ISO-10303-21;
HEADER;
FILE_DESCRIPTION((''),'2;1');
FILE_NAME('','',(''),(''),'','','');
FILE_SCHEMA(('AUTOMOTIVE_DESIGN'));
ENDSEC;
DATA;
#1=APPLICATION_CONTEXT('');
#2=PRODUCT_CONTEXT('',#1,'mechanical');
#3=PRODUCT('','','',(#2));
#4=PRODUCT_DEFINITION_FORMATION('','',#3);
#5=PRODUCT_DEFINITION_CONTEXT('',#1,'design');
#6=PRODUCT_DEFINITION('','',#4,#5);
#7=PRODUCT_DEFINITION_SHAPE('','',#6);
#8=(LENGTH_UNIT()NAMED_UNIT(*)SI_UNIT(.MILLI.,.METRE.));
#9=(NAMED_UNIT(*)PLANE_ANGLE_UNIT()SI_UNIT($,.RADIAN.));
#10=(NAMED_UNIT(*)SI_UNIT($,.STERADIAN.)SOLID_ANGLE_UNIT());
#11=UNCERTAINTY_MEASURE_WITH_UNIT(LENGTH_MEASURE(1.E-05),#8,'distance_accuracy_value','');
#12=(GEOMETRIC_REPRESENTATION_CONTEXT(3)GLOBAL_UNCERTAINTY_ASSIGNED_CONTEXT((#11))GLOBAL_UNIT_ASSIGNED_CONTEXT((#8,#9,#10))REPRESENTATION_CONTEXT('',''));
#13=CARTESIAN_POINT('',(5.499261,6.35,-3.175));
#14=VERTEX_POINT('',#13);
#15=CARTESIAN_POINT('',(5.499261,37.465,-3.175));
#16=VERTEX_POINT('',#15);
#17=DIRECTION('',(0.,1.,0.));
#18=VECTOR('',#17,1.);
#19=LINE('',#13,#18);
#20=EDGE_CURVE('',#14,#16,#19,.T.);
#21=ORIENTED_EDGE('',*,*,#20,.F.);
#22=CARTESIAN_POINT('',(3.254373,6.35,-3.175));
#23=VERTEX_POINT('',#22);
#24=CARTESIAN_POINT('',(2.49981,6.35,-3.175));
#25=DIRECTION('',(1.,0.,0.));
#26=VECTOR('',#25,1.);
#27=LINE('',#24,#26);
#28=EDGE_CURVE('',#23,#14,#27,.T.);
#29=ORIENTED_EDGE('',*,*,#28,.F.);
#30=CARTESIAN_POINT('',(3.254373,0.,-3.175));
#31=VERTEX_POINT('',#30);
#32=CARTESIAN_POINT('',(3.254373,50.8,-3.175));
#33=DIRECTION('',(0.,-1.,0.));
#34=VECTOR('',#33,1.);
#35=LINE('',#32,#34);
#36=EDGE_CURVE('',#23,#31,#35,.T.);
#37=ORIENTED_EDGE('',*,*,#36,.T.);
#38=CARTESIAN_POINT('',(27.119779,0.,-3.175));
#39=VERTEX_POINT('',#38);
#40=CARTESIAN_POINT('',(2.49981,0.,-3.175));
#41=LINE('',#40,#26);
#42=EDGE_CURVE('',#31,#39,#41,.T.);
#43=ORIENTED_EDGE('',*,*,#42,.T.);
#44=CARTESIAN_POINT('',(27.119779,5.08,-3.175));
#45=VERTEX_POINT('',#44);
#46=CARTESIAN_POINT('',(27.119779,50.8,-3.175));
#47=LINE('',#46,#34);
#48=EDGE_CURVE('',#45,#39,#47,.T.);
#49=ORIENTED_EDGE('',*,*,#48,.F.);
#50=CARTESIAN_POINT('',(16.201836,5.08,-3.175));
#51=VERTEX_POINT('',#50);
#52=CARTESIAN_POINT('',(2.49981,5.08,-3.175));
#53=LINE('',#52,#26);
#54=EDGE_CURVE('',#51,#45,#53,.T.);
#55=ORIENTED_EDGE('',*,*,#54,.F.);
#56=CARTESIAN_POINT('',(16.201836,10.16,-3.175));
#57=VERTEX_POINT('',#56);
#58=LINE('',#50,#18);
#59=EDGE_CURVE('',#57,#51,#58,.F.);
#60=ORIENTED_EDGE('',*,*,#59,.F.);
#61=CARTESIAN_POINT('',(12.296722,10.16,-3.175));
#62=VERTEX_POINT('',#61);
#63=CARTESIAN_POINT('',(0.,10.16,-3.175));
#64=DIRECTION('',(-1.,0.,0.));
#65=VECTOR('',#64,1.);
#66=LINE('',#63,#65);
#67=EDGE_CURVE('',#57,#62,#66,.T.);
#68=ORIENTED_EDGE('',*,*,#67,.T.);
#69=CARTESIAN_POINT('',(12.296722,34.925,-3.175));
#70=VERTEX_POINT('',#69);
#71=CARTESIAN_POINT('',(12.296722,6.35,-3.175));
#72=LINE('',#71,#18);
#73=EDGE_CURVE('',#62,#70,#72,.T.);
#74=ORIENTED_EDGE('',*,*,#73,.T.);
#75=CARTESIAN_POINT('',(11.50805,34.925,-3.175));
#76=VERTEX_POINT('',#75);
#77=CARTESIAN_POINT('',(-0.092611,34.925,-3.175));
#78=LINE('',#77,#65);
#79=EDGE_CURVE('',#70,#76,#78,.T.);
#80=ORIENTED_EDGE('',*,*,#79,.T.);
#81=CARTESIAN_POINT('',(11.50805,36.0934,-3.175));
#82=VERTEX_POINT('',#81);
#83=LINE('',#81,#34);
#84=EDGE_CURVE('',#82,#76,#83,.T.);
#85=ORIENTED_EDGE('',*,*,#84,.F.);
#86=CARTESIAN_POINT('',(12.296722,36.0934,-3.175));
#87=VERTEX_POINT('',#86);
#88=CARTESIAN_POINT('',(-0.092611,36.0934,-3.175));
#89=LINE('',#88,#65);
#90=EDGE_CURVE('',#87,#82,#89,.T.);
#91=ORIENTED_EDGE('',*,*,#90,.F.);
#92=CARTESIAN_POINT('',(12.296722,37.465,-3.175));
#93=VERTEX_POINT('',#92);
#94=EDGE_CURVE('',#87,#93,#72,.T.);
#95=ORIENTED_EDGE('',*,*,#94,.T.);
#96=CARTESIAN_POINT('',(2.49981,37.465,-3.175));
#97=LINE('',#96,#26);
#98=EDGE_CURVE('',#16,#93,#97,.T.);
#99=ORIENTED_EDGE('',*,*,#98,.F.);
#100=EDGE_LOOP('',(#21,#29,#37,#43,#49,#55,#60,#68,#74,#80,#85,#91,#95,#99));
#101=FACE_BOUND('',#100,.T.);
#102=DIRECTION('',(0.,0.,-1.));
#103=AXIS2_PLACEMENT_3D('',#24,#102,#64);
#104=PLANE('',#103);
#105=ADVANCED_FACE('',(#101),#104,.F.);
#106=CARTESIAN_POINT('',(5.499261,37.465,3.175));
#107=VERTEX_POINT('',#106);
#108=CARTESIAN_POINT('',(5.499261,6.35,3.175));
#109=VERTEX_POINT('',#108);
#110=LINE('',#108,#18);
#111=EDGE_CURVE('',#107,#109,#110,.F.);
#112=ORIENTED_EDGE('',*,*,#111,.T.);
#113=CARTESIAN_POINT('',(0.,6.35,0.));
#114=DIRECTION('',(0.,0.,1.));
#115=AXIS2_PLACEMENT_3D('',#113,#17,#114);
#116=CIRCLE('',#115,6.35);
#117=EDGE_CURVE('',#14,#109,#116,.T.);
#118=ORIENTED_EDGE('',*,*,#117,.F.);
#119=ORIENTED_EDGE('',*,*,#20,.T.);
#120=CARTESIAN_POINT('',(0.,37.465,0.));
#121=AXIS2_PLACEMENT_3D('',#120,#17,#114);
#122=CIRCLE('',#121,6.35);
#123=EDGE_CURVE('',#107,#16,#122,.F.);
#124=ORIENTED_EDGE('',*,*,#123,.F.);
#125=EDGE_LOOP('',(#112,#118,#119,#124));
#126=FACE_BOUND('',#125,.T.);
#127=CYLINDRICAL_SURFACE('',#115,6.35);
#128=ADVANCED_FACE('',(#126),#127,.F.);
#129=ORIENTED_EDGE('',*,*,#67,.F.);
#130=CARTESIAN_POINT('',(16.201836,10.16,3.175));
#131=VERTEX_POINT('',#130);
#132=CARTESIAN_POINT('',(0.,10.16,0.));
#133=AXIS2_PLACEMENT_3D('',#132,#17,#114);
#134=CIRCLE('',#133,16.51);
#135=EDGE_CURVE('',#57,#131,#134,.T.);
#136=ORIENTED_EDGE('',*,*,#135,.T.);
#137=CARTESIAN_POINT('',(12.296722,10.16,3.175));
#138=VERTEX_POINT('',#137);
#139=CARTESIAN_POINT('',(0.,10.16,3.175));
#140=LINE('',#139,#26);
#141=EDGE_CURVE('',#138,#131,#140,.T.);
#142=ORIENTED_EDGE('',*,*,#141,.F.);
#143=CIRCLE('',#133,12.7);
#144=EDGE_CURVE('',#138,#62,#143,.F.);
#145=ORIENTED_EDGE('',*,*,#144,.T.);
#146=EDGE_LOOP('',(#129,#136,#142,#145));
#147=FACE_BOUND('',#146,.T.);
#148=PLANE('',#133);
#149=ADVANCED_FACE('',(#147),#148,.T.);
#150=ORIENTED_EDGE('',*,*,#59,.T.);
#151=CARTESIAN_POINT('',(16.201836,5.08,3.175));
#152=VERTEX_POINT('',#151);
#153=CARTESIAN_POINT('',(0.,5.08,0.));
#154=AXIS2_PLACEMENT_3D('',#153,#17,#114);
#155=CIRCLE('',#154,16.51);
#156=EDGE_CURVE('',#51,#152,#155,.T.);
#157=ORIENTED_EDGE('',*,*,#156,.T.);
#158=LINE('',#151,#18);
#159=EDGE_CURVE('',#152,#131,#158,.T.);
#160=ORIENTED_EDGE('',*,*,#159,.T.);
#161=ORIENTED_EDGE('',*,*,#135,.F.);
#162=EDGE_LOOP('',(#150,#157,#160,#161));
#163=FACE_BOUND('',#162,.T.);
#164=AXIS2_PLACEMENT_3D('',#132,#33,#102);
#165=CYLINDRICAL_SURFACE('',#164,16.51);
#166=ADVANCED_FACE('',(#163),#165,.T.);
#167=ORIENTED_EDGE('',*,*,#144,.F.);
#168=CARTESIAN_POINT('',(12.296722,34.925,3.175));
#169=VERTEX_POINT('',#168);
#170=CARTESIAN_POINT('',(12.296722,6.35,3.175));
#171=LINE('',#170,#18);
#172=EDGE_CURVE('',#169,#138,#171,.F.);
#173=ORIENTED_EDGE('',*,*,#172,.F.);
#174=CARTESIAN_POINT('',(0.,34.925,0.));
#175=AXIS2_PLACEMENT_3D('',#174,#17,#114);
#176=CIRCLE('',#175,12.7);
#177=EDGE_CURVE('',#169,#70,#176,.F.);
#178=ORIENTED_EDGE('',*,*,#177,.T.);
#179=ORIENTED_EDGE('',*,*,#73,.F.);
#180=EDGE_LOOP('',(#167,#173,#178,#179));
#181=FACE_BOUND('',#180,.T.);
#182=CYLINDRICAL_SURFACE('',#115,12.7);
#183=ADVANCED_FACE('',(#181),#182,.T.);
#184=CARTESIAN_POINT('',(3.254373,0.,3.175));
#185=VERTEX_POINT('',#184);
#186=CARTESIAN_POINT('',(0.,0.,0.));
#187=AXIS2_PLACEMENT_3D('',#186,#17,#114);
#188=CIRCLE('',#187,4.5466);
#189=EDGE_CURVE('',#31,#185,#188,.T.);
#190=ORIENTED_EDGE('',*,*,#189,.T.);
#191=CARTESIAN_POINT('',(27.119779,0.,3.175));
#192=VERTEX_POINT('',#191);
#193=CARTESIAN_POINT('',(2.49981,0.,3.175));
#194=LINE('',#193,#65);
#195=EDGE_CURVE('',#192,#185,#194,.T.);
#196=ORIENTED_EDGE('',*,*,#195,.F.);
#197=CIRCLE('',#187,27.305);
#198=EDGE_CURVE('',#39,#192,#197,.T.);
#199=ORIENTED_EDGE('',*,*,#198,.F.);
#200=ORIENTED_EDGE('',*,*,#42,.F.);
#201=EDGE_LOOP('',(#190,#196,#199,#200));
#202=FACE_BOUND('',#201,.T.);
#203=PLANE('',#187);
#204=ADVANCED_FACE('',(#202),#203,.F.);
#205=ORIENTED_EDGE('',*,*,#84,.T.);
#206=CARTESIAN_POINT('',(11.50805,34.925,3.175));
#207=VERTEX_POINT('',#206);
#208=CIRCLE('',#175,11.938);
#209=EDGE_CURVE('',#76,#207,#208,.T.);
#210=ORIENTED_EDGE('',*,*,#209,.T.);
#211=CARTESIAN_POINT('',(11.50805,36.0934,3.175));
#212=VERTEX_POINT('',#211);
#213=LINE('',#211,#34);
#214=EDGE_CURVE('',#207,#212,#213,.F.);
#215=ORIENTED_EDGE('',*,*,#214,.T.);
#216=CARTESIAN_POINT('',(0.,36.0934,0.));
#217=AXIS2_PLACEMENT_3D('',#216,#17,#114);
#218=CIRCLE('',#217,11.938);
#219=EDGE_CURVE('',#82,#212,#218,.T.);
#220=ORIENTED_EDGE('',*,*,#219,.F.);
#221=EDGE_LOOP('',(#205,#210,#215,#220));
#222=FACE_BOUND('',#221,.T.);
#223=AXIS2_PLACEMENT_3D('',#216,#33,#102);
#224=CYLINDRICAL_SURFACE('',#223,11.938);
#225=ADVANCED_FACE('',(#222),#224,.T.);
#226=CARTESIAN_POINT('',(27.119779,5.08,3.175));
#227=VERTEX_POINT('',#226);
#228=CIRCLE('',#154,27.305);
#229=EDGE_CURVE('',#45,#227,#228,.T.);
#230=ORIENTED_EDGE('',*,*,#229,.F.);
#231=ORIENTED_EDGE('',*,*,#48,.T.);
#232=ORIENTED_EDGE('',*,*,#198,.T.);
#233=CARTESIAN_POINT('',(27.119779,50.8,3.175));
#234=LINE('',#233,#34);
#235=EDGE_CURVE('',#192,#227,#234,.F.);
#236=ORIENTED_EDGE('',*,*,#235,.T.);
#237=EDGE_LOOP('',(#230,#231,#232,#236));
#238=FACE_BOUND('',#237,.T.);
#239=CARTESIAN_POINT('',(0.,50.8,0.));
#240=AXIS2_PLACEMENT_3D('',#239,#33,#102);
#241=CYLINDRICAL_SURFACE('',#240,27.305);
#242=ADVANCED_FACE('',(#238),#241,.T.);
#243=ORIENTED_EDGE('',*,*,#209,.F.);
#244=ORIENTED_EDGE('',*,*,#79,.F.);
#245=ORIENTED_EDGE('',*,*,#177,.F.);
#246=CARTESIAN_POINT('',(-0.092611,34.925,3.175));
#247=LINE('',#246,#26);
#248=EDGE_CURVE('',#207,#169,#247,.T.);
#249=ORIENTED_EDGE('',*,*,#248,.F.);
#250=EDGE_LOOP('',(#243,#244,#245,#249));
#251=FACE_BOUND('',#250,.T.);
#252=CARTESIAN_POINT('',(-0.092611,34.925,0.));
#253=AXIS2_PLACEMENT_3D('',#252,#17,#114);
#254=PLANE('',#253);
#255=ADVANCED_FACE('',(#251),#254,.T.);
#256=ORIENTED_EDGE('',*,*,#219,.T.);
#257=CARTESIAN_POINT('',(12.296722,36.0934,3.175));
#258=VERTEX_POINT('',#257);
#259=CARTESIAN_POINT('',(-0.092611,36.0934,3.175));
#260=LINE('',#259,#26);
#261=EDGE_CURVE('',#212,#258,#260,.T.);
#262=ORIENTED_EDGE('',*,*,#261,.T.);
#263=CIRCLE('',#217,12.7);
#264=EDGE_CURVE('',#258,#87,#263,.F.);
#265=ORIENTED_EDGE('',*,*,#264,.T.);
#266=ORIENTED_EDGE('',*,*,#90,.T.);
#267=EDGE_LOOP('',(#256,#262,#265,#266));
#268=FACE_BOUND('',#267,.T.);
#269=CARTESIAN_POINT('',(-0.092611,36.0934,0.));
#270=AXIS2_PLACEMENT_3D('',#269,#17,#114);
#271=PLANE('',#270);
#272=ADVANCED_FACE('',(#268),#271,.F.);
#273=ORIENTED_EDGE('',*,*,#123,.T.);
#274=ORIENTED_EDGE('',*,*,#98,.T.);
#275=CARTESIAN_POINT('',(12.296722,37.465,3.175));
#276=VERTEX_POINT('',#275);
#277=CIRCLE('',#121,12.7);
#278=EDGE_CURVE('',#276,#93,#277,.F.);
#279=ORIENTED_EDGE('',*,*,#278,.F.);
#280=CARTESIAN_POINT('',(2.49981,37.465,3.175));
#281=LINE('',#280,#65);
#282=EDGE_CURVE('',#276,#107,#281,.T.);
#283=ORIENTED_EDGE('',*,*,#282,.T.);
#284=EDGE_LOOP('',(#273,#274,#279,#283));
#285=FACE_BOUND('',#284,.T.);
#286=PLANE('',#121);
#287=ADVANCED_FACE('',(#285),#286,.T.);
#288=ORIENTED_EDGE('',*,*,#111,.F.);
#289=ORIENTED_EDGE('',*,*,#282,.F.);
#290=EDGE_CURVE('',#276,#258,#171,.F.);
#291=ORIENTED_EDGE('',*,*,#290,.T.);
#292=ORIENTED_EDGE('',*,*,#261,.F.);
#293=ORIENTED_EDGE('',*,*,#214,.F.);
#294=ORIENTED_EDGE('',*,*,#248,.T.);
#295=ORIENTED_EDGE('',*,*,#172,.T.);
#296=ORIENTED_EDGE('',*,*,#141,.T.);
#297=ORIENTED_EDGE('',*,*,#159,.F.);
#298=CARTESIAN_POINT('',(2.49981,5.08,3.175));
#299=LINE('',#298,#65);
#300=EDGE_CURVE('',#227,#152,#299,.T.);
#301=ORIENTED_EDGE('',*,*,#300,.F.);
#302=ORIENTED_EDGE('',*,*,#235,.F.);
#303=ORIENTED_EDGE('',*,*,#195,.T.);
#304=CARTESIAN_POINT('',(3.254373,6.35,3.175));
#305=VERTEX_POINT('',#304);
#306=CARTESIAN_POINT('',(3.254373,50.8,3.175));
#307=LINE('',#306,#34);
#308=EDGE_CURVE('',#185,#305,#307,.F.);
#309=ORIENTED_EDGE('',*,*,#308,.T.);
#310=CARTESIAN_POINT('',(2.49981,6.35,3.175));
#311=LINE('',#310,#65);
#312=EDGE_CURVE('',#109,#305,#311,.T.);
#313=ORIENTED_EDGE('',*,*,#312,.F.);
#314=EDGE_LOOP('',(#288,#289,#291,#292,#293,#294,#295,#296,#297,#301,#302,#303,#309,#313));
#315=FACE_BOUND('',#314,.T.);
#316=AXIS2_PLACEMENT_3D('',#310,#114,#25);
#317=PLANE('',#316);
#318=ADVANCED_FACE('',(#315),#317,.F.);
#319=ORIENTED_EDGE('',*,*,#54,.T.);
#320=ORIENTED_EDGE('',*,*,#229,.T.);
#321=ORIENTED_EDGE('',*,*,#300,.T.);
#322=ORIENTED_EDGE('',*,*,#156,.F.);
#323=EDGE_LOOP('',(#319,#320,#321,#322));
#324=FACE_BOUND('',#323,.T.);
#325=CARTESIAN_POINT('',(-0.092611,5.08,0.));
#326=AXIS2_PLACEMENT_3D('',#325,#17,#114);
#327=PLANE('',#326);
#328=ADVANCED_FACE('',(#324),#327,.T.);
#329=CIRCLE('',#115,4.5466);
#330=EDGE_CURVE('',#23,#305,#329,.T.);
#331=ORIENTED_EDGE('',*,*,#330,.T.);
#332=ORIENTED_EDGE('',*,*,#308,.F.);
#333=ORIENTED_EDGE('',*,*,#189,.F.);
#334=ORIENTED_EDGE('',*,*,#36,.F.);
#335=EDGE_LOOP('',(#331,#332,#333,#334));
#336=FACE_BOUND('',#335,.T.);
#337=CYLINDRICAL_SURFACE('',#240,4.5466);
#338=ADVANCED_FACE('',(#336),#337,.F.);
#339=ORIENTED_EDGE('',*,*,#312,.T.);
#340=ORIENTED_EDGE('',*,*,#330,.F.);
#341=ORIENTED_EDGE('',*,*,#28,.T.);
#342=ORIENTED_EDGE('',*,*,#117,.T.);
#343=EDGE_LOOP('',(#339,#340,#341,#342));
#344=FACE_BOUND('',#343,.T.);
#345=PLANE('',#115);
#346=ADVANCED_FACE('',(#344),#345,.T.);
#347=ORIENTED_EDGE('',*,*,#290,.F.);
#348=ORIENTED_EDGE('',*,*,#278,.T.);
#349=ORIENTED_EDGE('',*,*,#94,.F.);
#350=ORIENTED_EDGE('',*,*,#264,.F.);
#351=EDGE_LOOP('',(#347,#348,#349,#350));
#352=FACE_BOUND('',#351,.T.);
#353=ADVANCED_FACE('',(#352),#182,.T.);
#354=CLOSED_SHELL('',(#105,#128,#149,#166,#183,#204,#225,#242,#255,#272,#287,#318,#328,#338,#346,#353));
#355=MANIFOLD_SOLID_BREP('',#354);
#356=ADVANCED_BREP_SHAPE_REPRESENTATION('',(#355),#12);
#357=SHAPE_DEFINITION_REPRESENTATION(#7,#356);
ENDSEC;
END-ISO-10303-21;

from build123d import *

# Parameters (mm, degrees)
SKETCH1_R           = 27.305
SKETCH1_R_2         = 4.5466
BOSS_EXTRUDE1_DEPTH = 50.8
SKETCH2_R           = 6.35
CUT_EXTRUDE1_DEPTH  = 44.45
SKETCH3_OUTSIDE_W   = 75.098
SKETCH3_OUTSIDE_H   = 75.098
SKETCH3_OUTSIDE_R   = 12.7
CUT_EXTRUDE2_DEPTH  = 44.45
SKETCH10_W          = 30.679481275
SKETCH10_H          = 6.35
CUT_EXTRUDE7_DEPTH  = 6.35
SKETCH13_OUTSIDE_W  = 74.891
SKETCH13_OUTSIDE_H  = 75.076
SKETCH13_OUTSIDE_R  = 11.938
CUT_EXTRUDE9_DEPTH  = 1.1684
SKETCH16_R          = 46.08237905
CUT_EXTRUDE11_DEPTH = 54.802902106
BOSS_EXTRUDE4_START = 3.81
SKETCH18_R          = 16.51
SKETCH18_R_2        = 12.7
BOSS_EXTRUDE4_DEPTH = 3.81
SKETCH19_OUTSIDE_W  = 73.569
SKETCH19_OUTSIDE_H  = 73.754
SKETCH19_OUTSIDE_R  = 16.51
CUT_EXTRUDE12_DEPTH = 1.27
SKETCH10_2_W        = 30.679481275
SKETCH10_2_H        = 6.35
CUT_EXTRUDE13_DEPTH = 54.802902106


with BuildPart() as part:
    # Sketch1 → Boss-Extrude1 (new body)
    with BuildSketch(Plane(origin=(0, 0, 0), x_dir=(1, 0, 0), z_dir=(0, 1, 0))):
        Circle(SKETCH1_R)
        Circle(SKETCH1_R_2, mode=Mode.SUBTRACT)
    extrude(amount=BOSS_EXTRUDE1_DEPTH)

    # Sketch2 → Cut-Extrude1 (cut)
    with BuildSketch(Plane(origin=(0, 50.8, 0), x_dir=(1, 0, 0), z_dir=(0, 1, 0))):
        Circle(SKETCH2_R)
    extrude(amount=-CUT_EXTRUDE1_DEPTH, mode=Mode.SUBTRACT)

    # Sketch3 outside → Cut-Extrude2 (cut)
    with BuildSketch(Plane(origin=(0, 50.8, 0), x_dir=(1, 0, 0), z_dir=(0, 1, 0))):
        Rectangle(SKETCH3_OUTSIDE_W, SKETCH3_OUTSIDE_H)
        Circle(SKETCH3_OUTSIDE_R, mode=Mode.SUBTRACT)
    extrude(amount=-CUT_EXTRUDE2_DEPTH, mode=Mode.SUBTRACT)

    # Sketch10 → Cut-Extrude7 (cut)
    with BuildSketch(Plane.XZ):
        with Locations((17.839550223, 0)):
            Rectangle(SKETCH10_W, SKETCH10_H)
    extrude(amount=-CUT_EXTRUDE7_DEPTH, mode=Mode.SUBTRACT)

    # Sketch13 outside → Cut-Extrude9 (cut)
    with BuildSketch(Plane(origin=(0, 34.925, 0), x_dir=(-1, 0, 0), z_dir=(0, 1, 0))):
        with Locations((0.0925, 0)):
            Rectangle(SKETCH13_OUTSIDE_W, SKETCH13_OUTSIDE_H)
        Circle(SKETCH13_OUTSIDE_R, mode=Mode.SUBTRACT)
    extrude(amount=CUT_EXTRUDE9_DEPTH, mode=Mode.SUBTRACT)

    # Sketch16 → Cut-Extrude11 (cut, through all)
    with BuildSketch(Plane(origin=(0, 37.465, 0), x_dir=(-1, 0, 0), z_dir=(0, 1, 0))):
        Circle(SKETCH16_R)
    extrude(amount=CUT_EXTRUDE11_DEPTH, mode=Mode.SUBTRACT)

    # Sketch18 → Boss-Extrude4 (add)
    with BuildSketch(Plane(origin=(0, 6.35, 0), x_dir=(1, 0, 0), z_dir=(0, 1, 0)).offset(BOSS_EXTRUDE4_START)):
        Circle(SKETCH18_R)
        Circle(SKETCH18_R_2, mode=Mode.SUBTRACT)
    extrude(amount=-BOSS_EXTRUDE4_DEPTH)

    # Sketch19 outside → Cut-Extrude12 (cut)
    with BuildSketch(Plane(origin=(0, 6.35, 0), x_dir=(1, 0, 0), z_dir=(0, 1, 0))):
        with Locations((-0.0925, 0)):
            Rectangle(SKETCH19_OUTSIDE_W, SKETCH19_OUTSIDE_H)
        Circle(SKETCH19_OUTSIDE_R, mode=Mode.SUBTRACT)
    extrude(amount=-CUT_EXTRUDE12_DEPTH, mode=Mode.SUBTRACT)

    # Sketch10<2> → Cut-Extrude13 (cut, through all)
    with BuildSketch(Plane.XZ):
        with Locations((17.839550223, 0)):
            Rectangle(SKETCH10_2_W, SKETCH10_2_H)
    extrude(amount=-CUT_EXTRUDE13_DEPTH, mode=Mode.SUBTRACT)


solid = part.part
